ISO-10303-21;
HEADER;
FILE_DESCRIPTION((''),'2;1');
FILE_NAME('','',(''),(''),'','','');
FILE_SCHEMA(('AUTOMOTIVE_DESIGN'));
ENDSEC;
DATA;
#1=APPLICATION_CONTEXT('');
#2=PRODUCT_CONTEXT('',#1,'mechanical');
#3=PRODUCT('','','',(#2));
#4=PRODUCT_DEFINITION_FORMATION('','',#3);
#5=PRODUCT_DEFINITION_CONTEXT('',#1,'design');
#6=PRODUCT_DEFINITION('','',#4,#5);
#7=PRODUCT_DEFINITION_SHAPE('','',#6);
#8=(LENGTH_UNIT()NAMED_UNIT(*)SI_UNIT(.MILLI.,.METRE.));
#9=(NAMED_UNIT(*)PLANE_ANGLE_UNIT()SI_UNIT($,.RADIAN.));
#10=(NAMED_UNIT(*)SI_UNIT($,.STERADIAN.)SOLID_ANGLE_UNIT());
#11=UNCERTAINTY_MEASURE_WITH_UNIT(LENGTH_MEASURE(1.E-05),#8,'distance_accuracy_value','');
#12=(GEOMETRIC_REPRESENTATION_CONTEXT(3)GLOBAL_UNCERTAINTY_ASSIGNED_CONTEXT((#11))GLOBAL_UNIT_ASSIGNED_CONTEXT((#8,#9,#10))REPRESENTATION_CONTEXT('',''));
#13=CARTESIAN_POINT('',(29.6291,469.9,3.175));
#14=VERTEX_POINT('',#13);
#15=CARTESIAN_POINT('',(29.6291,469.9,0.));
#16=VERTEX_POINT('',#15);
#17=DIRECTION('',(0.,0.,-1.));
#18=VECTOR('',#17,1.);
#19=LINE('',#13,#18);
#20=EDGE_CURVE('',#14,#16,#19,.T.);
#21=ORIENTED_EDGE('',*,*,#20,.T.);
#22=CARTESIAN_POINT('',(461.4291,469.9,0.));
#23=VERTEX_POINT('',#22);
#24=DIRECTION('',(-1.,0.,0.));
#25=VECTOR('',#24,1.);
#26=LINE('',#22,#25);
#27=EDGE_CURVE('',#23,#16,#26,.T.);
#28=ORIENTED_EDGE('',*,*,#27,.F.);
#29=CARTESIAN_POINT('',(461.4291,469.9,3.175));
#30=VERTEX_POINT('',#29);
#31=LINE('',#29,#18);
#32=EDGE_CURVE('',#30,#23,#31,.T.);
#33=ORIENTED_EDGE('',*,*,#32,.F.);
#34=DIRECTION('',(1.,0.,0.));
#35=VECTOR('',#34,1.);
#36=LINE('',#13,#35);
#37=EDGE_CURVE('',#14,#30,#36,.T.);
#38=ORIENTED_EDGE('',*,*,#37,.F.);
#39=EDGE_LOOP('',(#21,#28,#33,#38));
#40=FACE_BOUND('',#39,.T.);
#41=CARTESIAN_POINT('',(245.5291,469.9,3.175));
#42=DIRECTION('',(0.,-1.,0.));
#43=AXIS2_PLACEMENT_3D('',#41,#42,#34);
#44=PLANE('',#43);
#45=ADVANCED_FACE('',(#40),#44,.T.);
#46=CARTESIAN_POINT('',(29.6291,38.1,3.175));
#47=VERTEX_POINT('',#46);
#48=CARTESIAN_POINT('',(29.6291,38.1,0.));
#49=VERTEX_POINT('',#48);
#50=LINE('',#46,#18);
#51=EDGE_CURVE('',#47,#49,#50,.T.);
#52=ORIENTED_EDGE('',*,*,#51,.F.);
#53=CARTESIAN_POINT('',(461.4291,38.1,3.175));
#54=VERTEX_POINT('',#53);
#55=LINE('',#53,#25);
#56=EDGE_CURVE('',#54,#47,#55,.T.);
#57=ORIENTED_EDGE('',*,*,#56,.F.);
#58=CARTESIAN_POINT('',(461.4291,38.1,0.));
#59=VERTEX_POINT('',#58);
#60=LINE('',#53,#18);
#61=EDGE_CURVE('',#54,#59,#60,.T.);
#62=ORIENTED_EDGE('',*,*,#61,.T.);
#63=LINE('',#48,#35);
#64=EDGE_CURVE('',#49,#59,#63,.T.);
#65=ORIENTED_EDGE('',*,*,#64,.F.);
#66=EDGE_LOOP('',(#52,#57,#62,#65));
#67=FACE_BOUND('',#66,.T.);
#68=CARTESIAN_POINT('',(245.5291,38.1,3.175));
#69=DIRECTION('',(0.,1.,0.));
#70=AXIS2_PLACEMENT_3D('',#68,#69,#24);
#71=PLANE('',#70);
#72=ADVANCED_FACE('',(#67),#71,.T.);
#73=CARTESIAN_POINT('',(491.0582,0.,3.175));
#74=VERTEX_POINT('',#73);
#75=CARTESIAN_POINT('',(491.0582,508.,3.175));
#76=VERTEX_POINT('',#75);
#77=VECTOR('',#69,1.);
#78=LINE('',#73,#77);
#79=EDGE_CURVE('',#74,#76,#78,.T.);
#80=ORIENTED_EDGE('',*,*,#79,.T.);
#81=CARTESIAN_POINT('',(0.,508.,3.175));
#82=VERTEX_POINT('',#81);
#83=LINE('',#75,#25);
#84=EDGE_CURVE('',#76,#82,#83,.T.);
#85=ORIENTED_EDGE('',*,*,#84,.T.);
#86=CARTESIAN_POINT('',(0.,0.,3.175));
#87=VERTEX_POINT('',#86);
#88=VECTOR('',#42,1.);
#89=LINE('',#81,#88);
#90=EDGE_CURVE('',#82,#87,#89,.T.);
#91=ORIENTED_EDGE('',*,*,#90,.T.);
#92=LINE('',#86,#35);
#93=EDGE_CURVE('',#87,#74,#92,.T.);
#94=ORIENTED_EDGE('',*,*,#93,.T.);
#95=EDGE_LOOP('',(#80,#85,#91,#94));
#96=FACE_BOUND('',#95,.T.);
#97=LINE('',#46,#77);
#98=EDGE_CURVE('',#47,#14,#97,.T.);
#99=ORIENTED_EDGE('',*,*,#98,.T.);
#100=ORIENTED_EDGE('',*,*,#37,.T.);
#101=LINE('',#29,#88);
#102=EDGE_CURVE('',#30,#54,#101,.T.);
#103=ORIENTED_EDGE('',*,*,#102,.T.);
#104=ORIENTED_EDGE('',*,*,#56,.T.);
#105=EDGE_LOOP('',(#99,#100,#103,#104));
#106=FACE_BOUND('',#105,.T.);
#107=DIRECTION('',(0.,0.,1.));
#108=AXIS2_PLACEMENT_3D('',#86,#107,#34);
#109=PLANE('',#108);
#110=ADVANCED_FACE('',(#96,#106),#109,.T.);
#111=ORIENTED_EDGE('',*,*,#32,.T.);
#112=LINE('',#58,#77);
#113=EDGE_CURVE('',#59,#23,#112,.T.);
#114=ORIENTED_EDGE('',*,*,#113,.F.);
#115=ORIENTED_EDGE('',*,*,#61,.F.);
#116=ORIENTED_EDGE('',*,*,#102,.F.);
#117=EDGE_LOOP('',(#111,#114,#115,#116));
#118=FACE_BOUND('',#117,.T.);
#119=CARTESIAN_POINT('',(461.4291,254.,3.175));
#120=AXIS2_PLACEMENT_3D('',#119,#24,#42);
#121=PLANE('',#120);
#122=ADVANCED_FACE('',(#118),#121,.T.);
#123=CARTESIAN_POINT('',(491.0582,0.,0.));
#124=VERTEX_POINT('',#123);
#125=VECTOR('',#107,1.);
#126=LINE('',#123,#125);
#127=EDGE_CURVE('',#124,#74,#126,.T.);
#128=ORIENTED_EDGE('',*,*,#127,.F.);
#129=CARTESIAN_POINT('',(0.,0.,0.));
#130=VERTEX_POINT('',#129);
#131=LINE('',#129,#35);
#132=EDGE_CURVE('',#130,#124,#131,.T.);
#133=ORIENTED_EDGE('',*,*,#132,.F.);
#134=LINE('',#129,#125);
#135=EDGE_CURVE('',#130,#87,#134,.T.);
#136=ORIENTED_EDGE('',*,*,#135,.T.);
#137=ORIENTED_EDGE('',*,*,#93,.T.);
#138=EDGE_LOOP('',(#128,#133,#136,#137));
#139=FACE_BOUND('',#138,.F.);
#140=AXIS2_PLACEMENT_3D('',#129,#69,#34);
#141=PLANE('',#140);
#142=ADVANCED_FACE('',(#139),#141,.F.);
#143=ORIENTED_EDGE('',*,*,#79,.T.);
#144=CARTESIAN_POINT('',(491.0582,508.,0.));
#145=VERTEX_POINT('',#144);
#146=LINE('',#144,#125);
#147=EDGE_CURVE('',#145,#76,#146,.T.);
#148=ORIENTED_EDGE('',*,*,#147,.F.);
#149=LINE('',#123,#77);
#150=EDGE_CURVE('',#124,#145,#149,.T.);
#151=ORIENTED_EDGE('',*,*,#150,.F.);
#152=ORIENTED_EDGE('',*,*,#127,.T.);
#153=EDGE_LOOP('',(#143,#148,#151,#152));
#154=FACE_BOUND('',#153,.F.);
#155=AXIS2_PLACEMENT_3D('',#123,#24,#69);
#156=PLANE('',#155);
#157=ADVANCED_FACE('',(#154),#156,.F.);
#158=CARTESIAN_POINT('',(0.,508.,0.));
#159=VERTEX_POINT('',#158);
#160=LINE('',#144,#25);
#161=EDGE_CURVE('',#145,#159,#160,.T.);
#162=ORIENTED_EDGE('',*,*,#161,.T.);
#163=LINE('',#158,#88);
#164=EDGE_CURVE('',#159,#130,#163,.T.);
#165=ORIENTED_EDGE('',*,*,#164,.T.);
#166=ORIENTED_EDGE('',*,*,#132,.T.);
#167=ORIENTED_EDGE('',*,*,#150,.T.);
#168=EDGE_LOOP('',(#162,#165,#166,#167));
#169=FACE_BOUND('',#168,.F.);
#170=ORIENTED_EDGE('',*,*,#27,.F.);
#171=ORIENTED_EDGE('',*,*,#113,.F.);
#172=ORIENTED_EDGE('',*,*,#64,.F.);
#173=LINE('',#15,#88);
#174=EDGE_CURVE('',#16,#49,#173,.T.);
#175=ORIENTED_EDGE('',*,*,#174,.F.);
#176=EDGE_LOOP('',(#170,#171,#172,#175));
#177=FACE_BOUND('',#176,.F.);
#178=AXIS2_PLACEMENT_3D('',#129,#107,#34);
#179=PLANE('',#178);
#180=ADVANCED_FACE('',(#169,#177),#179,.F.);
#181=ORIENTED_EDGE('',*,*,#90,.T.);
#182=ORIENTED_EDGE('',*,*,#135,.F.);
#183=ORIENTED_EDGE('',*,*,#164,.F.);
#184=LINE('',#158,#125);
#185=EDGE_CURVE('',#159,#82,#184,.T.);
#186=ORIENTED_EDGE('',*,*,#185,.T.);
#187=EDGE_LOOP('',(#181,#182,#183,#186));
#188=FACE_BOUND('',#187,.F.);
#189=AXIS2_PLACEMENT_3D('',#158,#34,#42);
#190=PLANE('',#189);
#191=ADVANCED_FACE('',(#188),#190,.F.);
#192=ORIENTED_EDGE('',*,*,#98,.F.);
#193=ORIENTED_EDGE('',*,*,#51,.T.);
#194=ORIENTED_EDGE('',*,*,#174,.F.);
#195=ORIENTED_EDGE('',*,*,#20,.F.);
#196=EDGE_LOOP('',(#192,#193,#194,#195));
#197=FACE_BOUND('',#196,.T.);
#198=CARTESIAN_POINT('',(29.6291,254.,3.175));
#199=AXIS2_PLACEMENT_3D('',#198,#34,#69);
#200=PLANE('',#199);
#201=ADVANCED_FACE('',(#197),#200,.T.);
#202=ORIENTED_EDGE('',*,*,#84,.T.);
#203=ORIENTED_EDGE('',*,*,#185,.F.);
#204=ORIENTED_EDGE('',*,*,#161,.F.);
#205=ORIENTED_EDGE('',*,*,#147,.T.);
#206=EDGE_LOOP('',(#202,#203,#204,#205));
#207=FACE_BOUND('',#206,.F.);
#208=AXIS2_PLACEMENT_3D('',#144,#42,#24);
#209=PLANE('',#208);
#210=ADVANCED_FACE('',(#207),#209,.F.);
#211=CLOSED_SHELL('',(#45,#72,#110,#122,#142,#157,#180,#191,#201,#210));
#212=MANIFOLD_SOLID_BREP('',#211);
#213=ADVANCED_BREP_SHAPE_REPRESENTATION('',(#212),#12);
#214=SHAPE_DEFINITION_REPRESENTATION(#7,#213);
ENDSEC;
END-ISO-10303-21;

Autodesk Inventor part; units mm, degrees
ref_plane "YZ Plane" through (0, 0, 0) normal (1, 0, 0) x (0, 1, 0)
ref_plane "XZ Plane" through (0, 0, 0) normal (0, 1, 0) x (-1, 0, 0)
ref_plane "XY Plane" through (0, 0, 0) normal (0, 0, 1) x (1, 0, 0)
sketch "Sketch1" plane through (0, 0, 0) normal (0, 0, 1) x (1, 0, 0)
  line L0 (0, 0) -> (491.0582, 0)
  line L1 (491.0582, 0) -> (491.0582, 508)
  line L2 (491.0582, 508) -> (0, 508)
  line L3 (0, 508) -> (0, 0)
  dimension "d0" = 491.0582
  dimension "d1" = 508
extrude "Extrusion1" add sketch "Sketch1" along normal blind 3.175
sketch "Sketch2" plane through (0, 0, 3.175) normal (0, 0, 1) x (1, 0, 0)
  line L0 (29.6291, 469.9) -> (461.4291, 469.9)
  line L1 (461.4291, 469.9) -> (461.4291, 38.1)
  line L2 (461.4291, 38.1) -> (29.6291, 38.1)
  line L3 (29.6291, 38.1) -> (29.6291, 469.9)
  line L4 (245.5291, 38.1) -> (245.5291, 0)
  line L5 (0, 0) -> (491.0582, 0) projected
  line L6 (245.5291, 469.9) -> (245.5291, 508)
  line L7 (491.0582, 508) -> (0, 508) projected
  line L8 (29.6291, 254) -> (0, 254)
  line L9 (0, 508) -> (0, 0) projected
  line L10 (461.4291, 254) -> (491.0582, 254)
  line L11 (491.0582, 0) -> (491.0582, 508) projected
  dimension "d4" = 431.8
  dimension "d5" = 431.8
extrude "Extrusion2" cut sketch "Sketch2" against normal blind 3.175 contours L0 L1 L2 L3
properties part number "window outer"
